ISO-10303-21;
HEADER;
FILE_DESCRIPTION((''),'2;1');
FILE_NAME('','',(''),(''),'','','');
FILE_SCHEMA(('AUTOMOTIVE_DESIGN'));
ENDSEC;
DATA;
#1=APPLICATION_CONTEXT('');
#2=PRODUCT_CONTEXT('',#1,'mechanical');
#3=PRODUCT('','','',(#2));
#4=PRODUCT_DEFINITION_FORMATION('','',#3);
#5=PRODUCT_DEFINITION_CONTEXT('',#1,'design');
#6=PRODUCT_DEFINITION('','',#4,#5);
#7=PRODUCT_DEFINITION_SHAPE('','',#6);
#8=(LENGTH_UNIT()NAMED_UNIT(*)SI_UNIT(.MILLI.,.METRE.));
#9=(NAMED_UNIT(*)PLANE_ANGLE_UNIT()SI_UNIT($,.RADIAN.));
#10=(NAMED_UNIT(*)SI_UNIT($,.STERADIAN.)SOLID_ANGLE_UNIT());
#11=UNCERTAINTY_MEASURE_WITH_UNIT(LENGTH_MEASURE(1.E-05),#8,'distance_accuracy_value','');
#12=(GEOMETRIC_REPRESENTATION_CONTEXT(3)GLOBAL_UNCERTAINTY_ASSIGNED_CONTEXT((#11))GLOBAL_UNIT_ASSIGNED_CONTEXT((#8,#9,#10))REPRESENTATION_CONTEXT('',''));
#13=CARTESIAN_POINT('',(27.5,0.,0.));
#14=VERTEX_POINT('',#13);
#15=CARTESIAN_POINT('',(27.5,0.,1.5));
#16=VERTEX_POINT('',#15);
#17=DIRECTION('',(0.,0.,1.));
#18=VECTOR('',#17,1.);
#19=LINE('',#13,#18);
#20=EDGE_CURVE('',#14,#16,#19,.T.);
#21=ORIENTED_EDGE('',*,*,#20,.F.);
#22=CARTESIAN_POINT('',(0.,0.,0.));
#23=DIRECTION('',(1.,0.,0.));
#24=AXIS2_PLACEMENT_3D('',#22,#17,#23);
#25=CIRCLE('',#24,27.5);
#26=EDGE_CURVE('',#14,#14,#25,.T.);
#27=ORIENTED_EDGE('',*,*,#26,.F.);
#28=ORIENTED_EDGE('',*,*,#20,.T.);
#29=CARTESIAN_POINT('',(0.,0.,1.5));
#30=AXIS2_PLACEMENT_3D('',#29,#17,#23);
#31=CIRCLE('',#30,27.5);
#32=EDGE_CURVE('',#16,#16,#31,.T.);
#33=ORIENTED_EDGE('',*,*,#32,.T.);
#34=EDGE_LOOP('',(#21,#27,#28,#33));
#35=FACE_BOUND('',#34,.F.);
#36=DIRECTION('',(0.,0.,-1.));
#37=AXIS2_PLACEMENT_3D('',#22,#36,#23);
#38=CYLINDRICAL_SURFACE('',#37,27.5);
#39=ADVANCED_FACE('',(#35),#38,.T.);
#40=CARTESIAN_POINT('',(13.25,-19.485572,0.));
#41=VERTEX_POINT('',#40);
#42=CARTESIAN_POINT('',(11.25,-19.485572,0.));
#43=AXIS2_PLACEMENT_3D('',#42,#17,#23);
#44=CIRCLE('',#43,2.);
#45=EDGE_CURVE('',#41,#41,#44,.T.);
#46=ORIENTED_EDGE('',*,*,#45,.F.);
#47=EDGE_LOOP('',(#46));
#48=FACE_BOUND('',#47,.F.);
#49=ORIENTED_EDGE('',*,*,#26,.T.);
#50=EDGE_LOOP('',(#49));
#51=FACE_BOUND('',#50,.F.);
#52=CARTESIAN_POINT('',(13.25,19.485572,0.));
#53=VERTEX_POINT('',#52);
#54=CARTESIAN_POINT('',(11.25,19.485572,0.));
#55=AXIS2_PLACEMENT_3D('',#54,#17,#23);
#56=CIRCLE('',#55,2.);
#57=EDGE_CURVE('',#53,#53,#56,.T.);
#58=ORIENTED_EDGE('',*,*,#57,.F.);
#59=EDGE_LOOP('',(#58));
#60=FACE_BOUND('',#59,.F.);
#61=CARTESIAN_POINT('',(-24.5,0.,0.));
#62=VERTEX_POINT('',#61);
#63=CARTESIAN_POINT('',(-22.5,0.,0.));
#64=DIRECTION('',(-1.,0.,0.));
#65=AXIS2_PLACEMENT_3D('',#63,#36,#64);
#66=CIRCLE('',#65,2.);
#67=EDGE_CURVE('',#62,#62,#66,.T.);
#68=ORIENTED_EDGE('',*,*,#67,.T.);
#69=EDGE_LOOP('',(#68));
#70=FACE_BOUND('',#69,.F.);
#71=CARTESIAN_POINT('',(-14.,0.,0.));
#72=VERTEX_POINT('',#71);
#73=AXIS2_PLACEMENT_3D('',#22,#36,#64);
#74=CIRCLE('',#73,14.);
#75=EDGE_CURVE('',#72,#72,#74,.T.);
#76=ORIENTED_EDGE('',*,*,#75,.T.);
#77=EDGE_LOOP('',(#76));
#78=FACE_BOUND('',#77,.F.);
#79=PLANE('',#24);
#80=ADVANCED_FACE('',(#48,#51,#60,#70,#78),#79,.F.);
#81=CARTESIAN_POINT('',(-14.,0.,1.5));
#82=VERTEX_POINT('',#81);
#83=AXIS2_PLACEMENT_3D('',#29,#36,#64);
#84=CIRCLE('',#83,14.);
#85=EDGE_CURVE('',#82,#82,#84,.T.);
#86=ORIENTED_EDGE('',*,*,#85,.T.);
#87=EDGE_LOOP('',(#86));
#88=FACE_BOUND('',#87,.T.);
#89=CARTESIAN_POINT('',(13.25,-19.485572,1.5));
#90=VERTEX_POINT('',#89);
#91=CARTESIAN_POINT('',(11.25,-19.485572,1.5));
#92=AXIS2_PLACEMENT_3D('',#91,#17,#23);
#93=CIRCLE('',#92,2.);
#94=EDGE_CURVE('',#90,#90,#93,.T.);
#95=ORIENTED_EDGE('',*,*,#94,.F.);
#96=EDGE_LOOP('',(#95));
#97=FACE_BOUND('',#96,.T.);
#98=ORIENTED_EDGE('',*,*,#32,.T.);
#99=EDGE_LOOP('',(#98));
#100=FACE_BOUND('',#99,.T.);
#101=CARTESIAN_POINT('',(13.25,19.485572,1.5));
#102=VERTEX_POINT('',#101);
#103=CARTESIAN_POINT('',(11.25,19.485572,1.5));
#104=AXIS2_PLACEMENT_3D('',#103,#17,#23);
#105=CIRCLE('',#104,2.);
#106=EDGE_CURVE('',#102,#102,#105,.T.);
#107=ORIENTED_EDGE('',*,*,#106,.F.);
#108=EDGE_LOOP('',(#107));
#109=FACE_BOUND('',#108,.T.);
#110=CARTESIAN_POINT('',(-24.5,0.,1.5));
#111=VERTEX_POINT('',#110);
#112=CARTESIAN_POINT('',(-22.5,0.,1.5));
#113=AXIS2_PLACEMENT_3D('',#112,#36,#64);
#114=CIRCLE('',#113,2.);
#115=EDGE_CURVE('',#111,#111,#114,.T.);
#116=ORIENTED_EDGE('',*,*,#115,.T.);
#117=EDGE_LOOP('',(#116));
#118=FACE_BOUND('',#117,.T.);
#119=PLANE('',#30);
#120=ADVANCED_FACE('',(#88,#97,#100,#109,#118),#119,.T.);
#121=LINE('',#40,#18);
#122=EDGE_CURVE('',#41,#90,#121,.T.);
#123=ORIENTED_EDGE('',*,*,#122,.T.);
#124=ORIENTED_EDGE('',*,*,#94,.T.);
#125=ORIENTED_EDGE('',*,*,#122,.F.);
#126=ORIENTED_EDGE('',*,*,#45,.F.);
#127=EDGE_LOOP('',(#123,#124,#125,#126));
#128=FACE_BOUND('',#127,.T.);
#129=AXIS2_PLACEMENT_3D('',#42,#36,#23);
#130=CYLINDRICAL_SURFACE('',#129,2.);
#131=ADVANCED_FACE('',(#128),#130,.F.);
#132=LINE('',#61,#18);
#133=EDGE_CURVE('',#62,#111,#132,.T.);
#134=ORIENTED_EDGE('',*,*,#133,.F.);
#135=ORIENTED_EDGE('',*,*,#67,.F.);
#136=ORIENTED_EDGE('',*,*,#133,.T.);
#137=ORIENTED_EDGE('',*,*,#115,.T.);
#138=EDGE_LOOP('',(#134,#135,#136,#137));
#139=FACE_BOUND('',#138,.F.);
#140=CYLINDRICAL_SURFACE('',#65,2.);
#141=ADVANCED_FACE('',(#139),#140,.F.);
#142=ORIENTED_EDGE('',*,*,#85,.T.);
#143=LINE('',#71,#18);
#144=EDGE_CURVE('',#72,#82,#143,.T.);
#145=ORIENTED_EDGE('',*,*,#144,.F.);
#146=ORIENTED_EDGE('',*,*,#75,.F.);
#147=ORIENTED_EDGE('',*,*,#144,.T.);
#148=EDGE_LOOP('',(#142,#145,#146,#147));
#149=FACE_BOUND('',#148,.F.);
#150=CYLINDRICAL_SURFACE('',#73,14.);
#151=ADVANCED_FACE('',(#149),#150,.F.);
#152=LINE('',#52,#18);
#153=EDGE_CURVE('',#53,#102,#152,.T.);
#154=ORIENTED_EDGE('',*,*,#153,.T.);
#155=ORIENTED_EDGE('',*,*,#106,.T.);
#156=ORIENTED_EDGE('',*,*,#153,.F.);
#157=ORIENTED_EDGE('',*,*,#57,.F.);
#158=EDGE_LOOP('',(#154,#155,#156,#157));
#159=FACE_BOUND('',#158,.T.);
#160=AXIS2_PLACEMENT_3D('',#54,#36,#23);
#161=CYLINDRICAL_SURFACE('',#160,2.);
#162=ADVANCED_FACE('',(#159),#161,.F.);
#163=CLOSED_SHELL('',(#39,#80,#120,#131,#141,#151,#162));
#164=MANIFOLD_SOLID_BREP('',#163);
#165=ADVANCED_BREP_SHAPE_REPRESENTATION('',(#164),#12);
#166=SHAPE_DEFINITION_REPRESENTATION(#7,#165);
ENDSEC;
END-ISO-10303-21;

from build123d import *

# Parameters (mm, degrees)
F0_R     = 2
F1_DEPTH = 1.5


with BuildPart() as f1:
    # F0 (on Top) → F1 (new body)
    with BuildSketch(Plane.XY):
        with BuildLine():
            ThreePointArc((14, 0), (0, 14), (-14, 0))
            ThreePointArc((-14, 0), (0, -14), (14, 0))
        make_face()
        with BuildLine():
            ThreePointArc((-27.5, 0), (0, -27.5), (27.5, 0))
            ThreePointArc((27.5, 0), (0, 27.5), (-27.5, 0))
        make_face()
        with Locations((11.25, -19.485572)):
            Circle(F0_R, mode=Mode.SUBTRACT)
        with BuildLine():
            ThreePointArc((-20.5, 0), (-22.5, -2), (-24.5, 0))
            ThreePointArc((-24.5, 0), (-22.5, 2), (-20.5, 0))
        make_face(mode=Mode.SUBTRACT)
        with BuildLine():
            ThreePointArc((14, 0), (0, -14), (-14, 0))
            ThreePointArc((-14, 0), (0, 14), (14, 0))
        make_face(mode=Mode.SUBTRACT)
        with Locations((11.25, 19.485572)):
            Circle(F0_R, mode=Mode.SUBTRACT)
    extrude(amount=F1_DEPTH)


solid = f1.part
